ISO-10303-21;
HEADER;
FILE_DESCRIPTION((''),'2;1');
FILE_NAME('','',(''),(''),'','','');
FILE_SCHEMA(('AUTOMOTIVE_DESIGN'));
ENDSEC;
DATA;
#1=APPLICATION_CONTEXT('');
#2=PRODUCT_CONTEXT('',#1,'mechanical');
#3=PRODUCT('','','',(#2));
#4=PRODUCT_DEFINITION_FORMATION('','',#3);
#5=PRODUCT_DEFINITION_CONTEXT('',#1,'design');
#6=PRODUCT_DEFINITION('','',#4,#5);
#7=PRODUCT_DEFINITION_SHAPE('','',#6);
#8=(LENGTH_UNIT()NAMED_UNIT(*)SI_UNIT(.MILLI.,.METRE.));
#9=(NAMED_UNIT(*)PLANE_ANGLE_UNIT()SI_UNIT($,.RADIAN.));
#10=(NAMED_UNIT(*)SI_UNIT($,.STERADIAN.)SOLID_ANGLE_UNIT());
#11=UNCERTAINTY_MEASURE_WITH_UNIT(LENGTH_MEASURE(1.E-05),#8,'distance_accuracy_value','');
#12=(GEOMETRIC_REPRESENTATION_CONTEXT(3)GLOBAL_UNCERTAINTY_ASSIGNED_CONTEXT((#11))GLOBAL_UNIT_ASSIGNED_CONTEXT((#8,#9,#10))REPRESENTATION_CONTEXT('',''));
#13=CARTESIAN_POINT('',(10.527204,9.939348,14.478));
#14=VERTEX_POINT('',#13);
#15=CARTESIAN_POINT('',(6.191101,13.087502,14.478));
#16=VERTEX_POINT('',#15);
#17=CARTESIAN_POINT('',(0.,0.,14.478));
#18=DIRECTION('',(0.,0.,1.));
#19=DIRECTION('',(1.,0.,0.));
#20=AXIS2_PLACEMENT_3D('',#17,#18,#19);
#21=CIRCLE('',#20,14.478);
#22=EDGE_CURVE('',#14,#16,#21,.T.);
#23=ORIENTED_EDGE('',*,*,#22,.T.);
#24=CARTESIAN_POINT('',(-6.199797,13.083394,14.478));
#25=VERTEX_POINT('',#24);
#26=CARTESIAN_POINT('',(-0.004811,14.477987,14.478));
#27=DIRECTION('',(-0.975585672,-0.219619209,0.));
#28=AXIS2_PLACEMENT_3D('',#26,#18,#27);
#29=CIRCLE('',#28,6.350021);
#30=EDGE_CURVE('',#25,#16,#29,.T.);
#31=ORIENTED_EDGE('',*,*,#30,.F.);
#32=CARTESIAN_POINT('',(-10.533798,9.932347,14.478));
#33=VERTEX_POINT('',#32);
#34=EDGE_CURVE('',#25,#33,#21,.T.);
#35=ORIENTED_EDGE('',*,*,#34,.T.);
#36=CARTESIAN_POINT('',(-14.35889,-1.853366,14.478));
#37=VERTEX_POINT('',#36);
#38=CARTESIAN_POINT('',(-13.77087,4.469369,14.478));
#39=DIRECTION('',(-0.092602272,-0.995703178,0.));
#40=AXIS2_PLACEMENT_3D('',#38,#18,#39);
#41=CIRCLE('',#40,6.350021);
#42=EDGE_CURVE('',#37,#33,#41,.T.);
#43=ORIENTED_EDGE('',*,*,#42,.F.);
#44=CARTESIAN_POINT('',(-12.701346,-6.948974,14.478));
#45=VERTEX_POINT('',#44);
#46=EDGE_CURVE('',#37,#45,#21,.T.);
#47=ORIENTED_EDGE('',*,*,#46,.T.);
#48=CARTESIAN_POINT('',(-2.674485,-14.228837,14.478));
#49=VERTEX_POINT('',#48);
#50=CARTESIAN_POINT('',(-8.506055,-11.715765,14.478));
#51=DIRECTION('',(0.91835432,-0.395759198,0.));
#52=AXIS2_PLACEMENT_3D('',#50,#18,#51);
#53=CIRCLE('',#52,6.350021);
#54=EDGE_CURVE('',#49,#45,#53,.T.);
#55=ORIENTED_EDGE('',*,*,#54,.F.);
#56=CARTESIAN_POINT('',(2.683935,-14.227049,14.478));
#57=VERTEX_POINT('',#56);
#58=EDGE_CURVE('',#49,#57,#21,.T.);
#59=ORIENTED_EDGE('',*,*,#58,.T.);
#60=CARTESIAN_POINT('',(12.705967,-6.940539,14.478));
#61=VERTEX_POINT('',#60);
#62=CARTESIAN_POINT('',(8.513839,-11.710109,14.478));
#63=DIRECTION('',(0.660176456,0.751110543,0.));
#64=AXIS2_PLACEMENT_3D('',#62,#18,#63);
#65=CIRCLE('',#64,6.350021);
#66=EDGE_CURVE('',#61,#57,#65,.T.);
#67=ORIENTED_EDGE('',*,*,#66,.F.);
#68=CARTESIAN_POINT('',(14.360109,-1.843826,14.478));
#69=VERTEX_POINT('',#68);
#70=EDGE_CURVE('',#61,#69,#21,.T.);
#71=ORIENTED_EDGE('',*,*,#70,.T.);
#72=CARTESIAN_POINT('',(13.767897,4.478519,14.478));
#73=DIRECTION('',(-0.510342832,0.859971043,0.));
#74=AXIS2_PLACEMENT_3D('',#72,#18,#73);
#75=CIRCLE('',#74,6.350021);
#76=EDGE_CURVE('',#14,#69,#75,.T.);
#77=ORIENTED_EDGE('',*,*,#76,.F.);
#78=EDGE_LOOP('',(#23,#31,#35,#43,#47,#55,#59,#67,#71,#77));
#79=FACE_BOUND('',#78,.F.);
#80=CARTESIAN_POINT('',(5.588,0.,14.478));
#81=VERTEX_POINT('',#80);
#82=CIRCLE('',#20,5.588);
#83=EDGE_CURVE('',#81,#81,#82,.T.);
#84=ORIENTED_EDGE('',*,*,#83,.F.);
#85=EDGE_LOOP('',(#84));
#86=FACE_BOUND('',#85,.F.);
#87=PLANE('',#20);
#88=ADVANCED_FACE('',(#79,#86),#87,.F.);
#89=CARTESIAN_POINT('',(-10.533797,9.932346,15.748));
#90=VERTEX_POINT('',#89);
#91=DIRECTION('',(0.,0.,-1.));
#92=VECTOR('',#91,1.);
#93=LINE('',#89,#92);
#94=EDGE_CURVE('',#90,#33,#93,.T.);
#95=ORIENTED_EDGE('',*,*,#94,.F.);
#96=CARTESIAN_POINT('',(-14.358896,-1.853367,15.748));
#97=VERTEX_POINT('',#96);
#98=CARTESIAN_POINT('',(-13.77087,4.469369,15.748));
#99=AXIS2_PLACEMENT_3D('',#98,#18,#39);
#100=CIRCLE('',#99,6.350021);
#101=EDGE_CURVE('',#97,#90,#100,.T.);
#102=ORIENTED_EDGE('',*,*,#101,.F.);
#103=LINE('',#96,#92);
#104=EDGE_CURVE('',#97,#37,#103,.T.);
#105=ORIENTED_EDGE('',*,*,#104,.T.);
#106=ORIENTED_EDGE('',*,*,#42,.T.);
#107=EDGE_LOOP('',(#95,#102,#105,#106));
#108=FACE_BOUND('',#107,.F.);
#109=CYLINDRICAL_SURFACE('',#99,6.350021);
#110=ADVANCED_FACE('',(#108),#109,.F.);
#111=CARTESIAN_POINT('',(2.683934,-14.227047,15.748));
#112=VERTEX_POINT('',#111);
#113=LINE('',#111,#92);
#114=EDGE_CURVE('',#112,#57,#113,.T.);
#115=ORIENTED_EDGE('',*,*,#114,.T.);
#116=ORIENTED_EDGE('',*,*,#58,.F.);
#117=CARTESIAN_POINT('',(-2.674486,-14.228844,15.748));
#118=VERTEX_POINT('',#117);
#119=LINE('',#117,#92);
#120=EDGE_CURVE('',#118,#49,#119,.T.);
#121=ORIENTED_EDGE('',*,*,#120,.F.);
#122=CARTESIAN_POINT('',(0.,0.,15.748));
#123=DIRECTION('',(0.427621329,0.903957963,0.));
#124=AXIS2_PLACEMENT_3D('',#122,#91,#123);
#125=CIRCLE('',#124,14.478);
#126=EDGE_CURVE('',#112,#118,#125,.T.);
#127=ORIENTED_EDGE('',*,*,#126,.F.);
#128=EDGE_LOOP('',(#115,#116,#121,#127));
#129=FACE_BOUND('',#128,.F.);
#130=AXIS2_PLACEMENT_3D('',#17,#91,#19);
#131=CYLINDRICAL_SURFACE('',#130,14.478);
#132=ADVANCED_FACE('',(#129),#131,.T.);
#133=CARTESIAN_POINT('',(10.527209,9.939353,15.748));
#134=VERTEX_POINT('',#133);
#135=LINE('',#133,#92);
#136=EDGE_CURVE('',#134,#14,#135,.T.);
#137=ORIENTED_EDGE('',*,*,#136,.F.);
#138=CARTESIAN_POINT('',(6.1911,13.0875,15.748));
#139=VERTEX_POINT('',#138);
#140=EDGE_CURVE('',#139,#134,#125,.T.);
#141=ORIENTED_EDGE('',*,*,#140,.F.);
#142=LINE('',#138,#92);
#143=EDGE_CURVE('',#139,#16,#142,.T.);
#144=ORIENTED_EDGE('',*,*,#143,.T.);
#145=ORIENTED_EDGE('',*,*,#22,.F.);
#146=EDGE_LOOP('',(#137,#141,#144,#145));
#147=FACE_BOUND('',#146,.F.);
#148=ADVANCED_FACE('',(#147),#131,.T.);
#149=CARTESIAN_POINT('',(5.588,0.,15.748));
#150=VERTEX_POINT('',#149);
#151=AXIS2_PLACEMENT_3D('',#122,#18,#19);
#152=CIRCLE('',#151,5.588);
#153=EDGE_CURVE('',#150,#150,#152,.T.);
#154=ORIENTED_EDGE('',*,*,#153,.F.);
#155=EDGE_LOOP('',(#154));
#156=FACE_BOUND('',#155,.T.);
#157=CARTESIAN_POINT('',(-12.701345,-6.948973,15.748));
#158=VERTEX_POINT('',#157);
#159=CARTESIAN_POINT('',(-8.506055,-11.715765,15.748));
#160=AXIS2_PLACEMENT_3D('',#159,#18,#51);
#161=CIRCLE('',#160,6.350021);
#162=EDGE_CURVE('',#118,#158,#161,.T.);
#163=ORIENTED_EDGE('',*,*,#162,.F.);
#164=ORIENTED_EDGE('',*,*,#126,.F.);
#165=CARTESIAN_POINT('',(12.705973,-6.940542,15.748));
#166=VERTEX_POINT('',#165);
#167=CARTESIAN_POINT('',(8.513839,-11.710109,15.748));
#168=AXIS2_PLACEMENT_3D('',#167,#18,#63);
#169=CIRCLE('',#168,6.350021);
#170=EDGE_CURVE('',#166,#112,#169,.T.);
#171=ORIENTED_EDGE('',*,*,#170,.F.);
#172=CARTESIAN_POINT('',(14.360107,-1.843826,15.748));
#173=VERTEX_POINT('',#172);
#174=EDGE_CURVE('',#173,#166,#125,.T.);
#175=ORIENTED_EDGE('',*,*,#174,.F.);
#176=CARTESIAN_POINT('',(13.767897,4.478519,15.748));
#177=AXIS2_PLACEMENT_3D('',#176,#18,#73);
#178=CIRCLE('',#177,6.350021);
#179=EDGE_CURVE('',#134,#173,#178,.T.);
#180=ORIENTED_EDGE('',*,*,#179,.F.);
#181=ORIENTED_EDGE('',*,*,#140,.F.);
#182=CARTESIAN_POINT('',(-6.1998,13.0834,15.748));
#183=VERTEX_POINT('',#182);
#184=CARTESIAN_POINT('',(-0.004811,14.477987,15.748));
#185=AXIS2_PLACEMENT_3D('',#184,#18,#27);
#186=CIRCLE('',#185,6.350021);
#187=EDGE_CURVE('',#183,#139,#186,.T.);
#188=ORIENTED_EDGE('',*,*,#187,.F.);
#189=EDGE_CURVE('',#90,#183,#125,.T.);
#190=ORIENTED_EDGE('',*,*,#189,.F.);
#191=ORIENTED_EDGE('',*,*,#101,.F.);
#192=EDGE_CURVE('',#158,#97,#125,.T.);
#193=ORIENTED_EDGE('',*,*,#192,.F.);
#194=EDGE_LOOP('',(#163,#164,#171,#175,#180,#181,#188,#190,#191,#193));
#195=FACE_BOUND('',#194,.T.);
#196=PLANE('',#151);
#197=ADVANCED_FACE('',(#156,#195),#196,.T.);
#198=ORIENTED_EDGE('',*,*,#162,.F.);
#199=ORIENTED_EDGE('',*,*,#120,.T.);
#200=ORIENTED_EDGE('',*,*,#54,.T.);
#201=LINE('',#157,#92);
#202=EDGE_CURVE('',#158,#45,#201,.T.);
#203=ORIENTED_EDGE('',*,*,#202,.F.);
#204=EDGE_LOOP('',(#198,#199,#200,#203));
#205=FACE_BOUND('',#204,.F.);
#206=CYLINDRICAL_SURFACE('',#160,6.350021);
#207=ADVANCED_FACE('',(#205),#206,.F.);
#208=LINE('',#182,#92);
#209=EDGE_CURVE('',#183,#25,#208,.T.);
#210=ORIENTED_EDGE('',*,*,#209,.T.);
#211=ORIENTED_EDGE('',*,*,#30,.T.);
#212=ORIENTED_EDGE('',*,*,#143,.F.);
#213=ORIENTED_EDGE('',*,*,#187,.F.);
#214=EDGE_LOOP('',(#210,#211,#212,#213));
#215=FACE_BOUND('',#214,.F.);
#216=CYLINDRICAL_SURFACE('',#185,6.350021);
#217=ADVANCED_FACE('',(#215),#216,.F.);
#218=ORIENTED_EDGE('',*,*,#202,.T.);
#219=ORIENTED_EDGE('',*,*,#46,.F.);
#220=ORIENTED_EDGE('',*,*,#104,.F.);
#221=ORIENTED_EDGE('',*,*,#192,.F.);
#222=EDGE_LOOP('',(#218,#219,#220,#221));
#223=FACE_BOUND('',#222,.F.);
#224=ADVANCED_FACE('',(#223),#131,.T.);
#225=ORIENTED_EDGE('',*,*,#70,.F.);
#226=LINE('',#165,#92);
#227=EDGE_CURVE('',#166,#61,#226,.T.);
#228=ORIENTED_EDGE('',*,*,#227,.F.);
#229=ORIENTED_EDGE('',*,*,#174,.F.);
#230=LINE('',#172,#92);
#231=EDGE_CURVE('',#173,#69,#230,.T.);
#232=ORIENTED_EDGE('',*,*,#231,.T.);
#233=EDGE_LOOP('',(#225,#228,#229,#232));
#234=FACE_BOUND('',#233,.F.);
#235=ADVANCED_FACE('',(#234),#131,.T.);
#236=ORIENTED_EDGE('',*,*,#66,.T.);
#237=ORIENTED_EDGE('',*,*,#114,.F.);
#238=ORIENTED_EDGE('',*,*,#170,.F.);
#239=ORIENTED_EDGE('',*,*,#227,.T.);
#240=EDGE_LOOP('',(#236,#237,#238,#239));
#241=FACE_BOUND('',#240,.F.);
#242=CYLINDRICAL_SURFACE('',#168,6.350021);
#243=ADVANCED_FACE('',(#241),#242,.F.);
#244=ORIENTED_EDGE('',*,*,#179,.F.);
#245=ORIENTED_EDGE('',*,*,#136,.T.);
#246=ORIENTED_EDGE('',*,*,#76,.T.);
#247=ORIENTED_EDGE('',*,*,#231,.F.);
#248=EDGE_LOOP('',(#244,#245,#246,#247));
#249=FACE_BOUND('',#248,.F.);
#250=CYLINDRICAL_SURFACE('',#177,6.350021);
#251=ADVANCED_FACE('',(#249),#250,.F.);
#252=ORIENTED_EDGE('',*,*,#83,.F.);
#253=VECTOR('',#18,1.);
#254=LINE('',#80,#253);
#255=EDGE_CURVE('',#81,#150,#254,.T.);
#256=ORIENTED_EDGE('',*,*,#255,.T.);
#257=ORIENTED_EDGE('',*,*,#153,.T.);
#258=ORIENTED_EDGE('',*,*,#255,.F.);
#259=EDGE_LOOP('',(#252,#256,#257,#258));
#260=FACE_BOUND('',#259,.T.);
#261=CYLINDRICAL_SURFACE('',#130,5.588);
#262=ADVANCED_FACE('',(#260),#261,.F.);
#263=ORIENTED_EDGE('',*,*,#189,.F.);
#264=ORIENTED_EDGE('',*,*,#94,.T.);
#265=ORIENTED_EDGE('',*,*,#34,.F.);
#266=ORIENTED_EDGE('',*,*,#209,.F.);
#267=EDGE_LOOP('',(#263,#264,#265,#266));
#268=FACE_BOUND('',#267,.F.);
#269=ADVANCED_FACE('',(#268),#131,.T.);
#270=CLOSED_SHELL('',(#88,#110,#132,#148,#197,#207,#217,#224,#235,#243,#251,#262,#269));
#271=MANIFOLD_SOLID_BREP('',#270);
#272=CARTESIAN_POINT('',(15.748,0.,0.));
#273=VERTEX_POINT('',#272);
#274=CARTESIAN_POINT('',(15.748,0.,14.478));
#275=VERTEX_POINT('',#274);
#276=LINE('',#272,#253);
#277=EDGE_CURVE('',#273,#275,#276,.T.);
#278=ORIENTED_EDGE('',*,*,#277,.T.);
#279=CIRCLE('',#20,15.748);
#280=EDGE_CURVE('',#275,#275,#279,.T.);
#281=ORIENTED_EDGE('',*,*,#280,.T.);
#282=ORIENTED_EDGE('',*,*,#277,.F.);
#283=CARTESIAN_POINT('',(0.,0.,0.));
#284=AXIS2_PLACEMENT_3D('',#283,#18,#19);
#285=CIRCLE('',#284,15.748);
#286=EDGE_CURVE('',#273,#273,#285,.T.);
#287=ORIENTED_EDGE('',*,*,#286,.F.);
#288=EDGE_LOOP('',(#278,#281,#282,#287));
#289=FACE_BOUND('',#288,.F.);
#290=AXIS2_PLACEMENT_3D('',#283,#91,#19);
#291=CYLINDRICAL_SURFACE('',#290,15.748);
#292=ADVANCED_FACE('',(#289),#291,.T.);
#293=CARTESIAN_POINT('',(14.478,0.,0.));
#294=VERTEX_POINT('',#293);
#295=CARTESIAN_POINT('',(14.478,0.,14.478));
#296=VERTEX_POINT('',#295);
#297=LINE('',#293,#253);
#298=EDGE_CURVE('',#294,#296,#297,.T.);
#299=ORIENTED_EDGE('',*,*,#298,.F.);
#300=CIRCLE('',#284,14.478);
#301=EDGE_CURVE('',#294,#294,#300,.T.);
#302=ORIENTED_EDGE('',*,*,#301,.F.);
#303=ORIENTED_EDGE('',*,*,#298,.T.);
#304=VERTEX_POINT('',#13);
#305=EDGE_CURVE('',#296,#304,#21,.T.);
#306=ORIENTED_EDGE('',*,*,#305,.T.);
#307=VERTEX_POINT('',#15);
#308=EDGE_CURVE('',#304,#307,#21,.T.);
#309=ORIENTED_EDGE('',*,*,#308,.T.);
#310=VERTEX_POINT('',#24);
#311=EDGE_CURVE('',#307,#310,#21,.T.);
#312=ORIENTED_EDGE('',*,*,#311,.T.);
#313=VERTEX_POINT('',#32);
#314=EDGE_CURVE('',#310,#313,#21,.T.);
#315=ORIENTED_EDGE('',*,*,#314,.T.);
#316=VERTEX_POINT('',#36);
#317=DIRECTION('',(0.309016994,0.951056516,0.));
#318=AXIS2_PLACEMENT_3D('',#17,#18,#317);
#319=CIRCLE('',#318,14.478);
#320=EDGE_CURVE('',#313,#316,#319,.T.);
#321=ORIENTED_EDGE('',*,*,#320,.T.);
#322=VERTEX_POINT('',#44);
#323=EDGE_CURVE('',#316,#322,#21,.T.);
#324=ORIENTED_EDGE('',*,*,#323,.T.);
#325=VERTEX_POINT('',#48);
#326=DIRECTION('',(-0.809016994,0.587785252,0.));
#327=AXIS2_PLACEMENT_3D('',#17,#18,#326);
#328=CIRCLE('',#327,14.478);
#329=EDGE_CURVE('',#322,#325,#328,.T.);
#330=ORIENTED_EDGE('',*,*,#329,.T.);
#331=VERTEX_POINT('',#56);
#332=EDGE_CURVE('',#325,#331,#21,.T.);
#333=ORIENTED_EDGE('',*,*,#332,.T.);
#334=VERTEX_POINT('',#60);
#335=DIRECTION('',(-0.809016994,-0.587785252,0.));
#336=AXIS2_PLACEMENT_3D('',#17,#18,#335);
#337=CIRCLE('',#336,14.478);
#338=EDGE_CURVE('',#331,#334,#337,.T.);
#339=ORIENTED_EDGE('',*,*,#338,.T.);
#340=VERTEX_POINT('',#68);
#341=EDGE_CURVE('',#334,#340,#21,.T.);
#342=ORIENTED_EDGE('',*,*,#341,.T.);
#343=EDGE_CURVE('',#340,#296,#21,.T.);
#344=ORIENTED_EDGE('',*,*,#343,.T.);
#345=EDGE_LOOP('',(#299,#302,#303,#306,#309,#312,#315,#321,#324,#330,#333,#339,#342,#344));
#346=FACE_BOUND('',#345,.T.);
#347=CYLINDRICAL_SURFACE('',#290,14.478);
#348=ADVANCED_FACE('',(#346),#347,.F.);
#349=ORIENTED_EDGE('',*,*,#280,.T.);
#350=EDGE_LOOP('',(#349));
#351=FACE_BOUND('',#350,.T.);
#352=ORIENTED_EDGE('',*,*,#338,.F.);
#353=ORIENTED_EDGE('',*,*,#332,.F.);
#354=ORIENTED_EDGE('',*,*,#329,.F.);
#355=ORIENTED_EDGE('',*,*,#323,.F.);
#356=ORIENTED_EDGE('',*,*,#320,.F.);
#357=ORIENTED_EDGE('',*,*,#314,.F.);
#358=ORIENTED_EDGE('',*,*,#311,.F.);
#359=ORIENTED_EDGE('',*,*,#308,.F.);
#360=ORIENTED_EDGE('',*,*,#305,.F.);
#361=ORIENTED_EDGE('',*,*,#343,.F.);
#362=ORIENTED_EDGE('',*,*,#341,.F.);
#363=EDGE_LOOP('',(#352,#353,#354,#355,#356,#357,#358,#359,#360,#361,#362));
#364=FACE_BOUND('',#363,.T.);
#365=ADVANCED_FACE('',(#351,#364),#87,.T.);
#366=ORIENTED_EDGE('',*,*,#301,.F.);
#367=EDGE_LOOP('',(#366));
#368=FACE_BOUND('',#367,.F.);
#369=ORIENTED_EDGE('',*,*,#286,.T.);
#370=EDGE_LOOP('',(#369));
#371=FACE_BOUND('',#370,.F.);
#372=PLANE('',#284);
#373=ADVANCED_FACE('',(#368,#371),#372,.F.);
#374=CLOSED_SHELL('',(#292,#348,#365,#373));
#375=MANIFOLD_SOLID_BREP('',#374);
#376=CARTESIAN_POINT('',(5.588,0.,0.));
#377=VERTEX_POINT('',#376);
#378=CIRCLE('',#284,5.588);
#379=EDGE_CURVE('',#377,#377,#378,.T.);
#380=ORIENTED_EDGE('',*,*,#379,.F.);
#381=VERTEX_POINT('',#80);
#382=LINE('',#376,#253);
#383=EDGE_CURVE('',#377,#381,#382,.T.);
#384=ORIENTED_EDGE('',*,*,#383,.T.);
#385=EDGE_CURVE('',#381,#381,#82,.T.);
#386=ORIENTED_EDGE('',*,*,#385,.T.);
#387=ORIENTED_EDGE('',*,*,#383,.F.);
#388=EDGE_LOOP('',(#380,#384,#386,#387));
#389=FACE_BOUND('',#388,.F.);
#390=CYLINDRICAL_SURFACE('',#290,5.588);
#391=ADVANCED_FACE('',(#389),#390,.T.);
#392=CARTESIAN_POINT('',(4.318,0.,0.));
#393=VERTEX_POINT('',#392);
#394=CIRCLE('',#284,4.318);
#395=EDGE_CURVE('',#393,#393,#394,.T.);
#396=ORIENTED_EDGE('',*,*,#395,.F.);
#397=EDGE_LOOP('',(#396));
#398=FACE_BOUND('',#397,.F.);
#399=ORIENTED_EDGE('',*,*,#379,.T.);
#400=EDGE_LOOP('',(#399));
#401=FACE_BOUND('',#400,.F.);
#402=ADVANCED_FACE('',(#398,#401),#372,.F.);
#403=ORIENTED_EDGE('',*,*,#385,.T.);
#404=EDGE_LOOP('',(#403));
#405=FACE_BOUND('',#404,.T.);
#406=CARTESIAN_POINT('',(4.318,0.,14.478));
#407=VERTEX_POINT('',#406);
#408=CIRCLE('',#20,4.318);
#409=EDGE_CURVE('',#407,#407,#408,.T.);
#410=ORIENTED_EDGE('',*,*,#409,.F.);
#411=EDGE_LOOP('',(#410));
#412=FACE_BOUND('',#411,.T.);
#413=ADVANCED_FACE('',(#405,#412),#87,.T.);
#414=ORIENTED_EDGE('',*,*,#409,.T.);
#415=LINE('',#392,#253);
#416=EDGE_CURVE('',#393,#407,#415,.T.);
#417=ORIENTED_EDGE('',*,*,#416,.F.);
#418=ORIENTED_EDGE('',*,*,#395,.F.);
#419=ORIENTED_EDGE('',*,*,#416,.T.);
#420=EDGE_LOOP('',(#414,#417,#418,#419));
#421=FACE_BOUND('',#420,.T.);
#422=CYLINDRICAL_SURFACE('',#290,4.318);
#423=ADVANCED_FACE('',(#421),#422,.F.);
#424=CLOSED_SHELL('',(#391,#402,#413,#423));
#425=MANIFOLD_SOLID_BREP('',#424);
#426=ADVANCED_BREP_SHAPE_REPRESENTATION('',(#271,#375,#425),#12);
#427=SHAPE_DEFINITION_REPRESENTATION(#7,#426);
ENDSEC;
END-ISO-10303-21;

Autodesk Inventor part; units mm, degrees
ref_plane "YZ Plane" through (0, 0, 0) normal (1, 0, 0) x (0, 1, 0)
ref_plane "XZ Plane" through (0, 0, 0) normal (0, 1, 0) x (-1, 0, 0)
ref_plane "XY Plane" through (0, 0, 0) normal (0, 0, 1) x (1, 0, 0)
sketch "Sketch1" plane through (0, 0, 0) normal (0, 0, 1) x (1, 0, 0)
  circle A0 centre (0, 0) radius 15.748
  circle A1 centre (0, 0) radius 14.478
  circle A2 centre (0, 0) radius 5.588
  circle A3 centre (0, 0) radius 4.318
  dimension "d0" = 1.27
  dimension "d1" = 8.89
  dimension "d2" = 1.27
  dimension "d3" = 11.176
extrude "Extrusion1" add sketch "Sketch1" along normal blind 14.478
sketch "Sketch2" plane through (0, 0, 14.478) normal (0, 0, 1) x (1, 0, 0)
  circle A0 centre (0, 0) radius 14.478 projected
  circle A1 centre (0, 0) radius 15.748 projected
  circle A2 centre (0, 0) radius 4.318 projected
  circle A3 centre (0, 0) radius 5.588 projected
extrude "Extrusion2" add sketch "Sketch2" along normal blind 1.27 contours A0
sketch "Sketch3" plane through (0, 0, 15.748) normal (0, 0, 1) x (1, 0, 0)
  circle A0 centre (0, 0) radius 14.478 projected
  circle A1 centre (0, 0) radius 4.318 projected
  circle A2 centre (0, 0) radius 14.478 projected
  circle A3 centre (0, 0) radius 15.748 projected
  circle A4 centre (0, 0) radius 14.478 projected
  circle A5 centre (0, 0) radius 15.748 projected
  circle A6 centre (0, 0) radius 4.318 projected
  circle A7 centre (0, 0) radius 5.588 projected
  arc A8 (-6.1998, 13.0834) -> (6.1911, 13.0875) centre (-0.0048, 14.478) ccw
  dimension "d9" = 12.7
extrude "Extrusion3" cut sketch "Sketch3" against normal up to next contours A8 A0 picked at (1.8159, 12.3862)
pattern_circular "Circular Pattern1" count 5 over 360 about axis through (0, 0, 14.478) along (0, 0, 1) of "Extrusion3"
properties part number "Wheel"
